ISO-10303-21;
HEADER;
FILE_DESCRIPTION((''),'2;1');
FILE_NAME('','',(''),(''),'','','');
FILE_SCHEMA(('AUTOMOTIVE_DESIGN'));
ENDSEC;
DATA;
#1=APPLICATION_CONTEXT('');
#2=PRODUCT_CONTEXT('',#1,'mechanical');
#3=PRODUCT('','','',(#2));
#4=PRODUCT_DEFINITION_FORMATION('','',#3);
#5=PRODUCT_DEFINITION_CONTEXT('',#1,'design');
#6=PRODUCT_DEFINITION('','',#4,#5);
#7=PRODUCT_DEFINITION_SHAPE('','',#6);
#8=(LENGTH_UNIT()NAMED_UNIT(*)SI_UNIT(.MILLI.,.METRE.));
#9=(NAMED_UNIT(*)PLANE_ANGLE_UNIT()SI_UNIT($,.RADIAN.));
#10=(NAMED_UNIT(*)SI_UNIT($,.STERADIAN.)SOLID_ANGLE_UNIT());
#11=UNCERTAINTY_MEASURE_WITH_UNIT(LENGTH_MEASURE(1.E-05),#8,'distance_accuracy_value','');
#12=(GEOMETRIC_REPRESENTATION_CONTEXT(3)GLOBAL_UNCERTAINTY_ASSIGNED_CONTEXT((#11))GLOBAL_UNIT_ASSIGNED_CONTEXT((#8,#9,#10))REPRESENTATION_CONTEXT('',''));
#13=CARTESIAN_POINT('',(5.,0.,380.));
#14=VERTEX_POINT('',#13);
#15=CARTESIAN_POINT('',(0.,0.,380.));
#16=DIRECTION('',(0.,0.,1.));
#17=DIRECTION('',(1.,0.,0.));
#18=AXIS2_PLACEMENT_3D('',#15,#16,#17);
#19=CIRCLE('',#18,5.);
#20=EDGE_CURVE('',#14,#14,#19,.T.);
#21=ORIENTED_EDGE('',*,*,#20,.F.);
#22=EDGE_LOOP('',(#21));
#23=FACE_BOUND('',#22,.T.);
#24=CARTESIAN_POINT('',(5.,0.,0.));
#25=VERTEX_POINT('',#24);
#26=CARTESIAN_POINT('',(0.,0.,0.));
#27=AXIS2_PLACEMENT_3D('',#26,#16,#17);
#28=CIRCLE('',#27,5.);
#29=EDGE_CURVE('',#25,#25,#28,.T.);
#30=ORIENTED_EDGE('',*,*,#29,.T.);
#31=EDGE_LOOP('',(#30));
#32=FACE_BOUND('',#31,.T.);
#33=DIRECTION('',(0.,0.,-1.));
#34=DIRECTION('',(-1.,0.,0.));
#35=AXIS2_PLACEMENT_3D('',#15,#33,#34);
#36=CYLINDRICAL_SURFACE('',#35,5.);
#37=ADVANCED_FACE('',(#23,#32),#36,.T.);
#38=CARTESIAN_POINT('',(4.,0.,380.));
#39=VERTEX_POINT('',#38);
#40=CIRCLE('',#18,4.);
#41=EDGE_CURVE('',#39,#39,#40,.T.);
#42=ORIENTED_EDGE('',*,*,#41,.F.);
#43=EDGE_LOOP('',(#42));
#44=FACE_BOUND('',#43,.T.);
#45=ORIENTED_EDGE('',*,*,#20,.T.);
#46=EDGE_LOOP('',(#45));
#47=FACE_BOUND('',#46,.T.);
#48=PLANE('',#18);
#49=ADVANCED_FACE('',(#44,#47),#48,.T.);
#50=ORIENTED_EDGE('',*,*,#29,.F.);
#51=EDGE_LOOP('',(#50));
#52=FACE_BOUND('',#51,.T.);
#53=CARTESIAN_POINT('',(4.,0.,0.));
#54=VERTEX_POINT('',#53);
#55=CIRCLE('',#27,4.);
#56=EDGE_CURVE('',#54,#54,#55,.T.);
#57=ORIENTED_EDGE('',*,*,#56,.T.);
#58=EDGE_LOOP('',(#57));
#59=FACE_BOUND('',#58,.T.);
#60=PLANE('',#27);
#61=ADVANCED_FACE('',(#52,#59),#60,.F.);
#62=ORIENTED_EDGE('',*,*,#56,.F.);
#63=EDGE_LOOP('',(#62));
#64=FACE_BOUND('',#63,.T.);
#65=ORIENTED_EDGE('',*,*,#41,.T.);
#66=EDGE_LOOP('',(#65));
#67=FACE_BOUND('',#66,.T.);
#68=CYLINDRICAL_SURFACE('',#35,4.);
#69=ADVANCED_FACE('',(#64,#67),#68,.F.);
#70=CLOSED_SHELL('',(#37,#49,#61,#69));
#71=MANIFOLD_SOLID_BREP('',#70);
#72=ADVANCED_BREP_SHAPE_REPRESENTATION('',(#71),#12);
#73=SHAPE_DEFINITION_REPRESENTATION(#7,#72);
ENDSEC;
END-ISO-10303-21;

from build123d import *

# Parameters (mm, degrees)
ESBO_O1_R                = 5
ESBO_O1_R_2              = 4
RESSALTO_EXTRUS_O1_DEPTH = 380


with BuildPart() as part:
    # Esboço1 → Ressalto-extrusão1 (new body)
    with BuildSketch(Plane.XY):
        Circle(ESBO_O1_R)
        Circle(ESBO_O1_R_2, mode=Mode.SUBTRACT)
    extrude(amount=RESSALTO_EXTRUS_O1_DEPTH)


solid = part.part
